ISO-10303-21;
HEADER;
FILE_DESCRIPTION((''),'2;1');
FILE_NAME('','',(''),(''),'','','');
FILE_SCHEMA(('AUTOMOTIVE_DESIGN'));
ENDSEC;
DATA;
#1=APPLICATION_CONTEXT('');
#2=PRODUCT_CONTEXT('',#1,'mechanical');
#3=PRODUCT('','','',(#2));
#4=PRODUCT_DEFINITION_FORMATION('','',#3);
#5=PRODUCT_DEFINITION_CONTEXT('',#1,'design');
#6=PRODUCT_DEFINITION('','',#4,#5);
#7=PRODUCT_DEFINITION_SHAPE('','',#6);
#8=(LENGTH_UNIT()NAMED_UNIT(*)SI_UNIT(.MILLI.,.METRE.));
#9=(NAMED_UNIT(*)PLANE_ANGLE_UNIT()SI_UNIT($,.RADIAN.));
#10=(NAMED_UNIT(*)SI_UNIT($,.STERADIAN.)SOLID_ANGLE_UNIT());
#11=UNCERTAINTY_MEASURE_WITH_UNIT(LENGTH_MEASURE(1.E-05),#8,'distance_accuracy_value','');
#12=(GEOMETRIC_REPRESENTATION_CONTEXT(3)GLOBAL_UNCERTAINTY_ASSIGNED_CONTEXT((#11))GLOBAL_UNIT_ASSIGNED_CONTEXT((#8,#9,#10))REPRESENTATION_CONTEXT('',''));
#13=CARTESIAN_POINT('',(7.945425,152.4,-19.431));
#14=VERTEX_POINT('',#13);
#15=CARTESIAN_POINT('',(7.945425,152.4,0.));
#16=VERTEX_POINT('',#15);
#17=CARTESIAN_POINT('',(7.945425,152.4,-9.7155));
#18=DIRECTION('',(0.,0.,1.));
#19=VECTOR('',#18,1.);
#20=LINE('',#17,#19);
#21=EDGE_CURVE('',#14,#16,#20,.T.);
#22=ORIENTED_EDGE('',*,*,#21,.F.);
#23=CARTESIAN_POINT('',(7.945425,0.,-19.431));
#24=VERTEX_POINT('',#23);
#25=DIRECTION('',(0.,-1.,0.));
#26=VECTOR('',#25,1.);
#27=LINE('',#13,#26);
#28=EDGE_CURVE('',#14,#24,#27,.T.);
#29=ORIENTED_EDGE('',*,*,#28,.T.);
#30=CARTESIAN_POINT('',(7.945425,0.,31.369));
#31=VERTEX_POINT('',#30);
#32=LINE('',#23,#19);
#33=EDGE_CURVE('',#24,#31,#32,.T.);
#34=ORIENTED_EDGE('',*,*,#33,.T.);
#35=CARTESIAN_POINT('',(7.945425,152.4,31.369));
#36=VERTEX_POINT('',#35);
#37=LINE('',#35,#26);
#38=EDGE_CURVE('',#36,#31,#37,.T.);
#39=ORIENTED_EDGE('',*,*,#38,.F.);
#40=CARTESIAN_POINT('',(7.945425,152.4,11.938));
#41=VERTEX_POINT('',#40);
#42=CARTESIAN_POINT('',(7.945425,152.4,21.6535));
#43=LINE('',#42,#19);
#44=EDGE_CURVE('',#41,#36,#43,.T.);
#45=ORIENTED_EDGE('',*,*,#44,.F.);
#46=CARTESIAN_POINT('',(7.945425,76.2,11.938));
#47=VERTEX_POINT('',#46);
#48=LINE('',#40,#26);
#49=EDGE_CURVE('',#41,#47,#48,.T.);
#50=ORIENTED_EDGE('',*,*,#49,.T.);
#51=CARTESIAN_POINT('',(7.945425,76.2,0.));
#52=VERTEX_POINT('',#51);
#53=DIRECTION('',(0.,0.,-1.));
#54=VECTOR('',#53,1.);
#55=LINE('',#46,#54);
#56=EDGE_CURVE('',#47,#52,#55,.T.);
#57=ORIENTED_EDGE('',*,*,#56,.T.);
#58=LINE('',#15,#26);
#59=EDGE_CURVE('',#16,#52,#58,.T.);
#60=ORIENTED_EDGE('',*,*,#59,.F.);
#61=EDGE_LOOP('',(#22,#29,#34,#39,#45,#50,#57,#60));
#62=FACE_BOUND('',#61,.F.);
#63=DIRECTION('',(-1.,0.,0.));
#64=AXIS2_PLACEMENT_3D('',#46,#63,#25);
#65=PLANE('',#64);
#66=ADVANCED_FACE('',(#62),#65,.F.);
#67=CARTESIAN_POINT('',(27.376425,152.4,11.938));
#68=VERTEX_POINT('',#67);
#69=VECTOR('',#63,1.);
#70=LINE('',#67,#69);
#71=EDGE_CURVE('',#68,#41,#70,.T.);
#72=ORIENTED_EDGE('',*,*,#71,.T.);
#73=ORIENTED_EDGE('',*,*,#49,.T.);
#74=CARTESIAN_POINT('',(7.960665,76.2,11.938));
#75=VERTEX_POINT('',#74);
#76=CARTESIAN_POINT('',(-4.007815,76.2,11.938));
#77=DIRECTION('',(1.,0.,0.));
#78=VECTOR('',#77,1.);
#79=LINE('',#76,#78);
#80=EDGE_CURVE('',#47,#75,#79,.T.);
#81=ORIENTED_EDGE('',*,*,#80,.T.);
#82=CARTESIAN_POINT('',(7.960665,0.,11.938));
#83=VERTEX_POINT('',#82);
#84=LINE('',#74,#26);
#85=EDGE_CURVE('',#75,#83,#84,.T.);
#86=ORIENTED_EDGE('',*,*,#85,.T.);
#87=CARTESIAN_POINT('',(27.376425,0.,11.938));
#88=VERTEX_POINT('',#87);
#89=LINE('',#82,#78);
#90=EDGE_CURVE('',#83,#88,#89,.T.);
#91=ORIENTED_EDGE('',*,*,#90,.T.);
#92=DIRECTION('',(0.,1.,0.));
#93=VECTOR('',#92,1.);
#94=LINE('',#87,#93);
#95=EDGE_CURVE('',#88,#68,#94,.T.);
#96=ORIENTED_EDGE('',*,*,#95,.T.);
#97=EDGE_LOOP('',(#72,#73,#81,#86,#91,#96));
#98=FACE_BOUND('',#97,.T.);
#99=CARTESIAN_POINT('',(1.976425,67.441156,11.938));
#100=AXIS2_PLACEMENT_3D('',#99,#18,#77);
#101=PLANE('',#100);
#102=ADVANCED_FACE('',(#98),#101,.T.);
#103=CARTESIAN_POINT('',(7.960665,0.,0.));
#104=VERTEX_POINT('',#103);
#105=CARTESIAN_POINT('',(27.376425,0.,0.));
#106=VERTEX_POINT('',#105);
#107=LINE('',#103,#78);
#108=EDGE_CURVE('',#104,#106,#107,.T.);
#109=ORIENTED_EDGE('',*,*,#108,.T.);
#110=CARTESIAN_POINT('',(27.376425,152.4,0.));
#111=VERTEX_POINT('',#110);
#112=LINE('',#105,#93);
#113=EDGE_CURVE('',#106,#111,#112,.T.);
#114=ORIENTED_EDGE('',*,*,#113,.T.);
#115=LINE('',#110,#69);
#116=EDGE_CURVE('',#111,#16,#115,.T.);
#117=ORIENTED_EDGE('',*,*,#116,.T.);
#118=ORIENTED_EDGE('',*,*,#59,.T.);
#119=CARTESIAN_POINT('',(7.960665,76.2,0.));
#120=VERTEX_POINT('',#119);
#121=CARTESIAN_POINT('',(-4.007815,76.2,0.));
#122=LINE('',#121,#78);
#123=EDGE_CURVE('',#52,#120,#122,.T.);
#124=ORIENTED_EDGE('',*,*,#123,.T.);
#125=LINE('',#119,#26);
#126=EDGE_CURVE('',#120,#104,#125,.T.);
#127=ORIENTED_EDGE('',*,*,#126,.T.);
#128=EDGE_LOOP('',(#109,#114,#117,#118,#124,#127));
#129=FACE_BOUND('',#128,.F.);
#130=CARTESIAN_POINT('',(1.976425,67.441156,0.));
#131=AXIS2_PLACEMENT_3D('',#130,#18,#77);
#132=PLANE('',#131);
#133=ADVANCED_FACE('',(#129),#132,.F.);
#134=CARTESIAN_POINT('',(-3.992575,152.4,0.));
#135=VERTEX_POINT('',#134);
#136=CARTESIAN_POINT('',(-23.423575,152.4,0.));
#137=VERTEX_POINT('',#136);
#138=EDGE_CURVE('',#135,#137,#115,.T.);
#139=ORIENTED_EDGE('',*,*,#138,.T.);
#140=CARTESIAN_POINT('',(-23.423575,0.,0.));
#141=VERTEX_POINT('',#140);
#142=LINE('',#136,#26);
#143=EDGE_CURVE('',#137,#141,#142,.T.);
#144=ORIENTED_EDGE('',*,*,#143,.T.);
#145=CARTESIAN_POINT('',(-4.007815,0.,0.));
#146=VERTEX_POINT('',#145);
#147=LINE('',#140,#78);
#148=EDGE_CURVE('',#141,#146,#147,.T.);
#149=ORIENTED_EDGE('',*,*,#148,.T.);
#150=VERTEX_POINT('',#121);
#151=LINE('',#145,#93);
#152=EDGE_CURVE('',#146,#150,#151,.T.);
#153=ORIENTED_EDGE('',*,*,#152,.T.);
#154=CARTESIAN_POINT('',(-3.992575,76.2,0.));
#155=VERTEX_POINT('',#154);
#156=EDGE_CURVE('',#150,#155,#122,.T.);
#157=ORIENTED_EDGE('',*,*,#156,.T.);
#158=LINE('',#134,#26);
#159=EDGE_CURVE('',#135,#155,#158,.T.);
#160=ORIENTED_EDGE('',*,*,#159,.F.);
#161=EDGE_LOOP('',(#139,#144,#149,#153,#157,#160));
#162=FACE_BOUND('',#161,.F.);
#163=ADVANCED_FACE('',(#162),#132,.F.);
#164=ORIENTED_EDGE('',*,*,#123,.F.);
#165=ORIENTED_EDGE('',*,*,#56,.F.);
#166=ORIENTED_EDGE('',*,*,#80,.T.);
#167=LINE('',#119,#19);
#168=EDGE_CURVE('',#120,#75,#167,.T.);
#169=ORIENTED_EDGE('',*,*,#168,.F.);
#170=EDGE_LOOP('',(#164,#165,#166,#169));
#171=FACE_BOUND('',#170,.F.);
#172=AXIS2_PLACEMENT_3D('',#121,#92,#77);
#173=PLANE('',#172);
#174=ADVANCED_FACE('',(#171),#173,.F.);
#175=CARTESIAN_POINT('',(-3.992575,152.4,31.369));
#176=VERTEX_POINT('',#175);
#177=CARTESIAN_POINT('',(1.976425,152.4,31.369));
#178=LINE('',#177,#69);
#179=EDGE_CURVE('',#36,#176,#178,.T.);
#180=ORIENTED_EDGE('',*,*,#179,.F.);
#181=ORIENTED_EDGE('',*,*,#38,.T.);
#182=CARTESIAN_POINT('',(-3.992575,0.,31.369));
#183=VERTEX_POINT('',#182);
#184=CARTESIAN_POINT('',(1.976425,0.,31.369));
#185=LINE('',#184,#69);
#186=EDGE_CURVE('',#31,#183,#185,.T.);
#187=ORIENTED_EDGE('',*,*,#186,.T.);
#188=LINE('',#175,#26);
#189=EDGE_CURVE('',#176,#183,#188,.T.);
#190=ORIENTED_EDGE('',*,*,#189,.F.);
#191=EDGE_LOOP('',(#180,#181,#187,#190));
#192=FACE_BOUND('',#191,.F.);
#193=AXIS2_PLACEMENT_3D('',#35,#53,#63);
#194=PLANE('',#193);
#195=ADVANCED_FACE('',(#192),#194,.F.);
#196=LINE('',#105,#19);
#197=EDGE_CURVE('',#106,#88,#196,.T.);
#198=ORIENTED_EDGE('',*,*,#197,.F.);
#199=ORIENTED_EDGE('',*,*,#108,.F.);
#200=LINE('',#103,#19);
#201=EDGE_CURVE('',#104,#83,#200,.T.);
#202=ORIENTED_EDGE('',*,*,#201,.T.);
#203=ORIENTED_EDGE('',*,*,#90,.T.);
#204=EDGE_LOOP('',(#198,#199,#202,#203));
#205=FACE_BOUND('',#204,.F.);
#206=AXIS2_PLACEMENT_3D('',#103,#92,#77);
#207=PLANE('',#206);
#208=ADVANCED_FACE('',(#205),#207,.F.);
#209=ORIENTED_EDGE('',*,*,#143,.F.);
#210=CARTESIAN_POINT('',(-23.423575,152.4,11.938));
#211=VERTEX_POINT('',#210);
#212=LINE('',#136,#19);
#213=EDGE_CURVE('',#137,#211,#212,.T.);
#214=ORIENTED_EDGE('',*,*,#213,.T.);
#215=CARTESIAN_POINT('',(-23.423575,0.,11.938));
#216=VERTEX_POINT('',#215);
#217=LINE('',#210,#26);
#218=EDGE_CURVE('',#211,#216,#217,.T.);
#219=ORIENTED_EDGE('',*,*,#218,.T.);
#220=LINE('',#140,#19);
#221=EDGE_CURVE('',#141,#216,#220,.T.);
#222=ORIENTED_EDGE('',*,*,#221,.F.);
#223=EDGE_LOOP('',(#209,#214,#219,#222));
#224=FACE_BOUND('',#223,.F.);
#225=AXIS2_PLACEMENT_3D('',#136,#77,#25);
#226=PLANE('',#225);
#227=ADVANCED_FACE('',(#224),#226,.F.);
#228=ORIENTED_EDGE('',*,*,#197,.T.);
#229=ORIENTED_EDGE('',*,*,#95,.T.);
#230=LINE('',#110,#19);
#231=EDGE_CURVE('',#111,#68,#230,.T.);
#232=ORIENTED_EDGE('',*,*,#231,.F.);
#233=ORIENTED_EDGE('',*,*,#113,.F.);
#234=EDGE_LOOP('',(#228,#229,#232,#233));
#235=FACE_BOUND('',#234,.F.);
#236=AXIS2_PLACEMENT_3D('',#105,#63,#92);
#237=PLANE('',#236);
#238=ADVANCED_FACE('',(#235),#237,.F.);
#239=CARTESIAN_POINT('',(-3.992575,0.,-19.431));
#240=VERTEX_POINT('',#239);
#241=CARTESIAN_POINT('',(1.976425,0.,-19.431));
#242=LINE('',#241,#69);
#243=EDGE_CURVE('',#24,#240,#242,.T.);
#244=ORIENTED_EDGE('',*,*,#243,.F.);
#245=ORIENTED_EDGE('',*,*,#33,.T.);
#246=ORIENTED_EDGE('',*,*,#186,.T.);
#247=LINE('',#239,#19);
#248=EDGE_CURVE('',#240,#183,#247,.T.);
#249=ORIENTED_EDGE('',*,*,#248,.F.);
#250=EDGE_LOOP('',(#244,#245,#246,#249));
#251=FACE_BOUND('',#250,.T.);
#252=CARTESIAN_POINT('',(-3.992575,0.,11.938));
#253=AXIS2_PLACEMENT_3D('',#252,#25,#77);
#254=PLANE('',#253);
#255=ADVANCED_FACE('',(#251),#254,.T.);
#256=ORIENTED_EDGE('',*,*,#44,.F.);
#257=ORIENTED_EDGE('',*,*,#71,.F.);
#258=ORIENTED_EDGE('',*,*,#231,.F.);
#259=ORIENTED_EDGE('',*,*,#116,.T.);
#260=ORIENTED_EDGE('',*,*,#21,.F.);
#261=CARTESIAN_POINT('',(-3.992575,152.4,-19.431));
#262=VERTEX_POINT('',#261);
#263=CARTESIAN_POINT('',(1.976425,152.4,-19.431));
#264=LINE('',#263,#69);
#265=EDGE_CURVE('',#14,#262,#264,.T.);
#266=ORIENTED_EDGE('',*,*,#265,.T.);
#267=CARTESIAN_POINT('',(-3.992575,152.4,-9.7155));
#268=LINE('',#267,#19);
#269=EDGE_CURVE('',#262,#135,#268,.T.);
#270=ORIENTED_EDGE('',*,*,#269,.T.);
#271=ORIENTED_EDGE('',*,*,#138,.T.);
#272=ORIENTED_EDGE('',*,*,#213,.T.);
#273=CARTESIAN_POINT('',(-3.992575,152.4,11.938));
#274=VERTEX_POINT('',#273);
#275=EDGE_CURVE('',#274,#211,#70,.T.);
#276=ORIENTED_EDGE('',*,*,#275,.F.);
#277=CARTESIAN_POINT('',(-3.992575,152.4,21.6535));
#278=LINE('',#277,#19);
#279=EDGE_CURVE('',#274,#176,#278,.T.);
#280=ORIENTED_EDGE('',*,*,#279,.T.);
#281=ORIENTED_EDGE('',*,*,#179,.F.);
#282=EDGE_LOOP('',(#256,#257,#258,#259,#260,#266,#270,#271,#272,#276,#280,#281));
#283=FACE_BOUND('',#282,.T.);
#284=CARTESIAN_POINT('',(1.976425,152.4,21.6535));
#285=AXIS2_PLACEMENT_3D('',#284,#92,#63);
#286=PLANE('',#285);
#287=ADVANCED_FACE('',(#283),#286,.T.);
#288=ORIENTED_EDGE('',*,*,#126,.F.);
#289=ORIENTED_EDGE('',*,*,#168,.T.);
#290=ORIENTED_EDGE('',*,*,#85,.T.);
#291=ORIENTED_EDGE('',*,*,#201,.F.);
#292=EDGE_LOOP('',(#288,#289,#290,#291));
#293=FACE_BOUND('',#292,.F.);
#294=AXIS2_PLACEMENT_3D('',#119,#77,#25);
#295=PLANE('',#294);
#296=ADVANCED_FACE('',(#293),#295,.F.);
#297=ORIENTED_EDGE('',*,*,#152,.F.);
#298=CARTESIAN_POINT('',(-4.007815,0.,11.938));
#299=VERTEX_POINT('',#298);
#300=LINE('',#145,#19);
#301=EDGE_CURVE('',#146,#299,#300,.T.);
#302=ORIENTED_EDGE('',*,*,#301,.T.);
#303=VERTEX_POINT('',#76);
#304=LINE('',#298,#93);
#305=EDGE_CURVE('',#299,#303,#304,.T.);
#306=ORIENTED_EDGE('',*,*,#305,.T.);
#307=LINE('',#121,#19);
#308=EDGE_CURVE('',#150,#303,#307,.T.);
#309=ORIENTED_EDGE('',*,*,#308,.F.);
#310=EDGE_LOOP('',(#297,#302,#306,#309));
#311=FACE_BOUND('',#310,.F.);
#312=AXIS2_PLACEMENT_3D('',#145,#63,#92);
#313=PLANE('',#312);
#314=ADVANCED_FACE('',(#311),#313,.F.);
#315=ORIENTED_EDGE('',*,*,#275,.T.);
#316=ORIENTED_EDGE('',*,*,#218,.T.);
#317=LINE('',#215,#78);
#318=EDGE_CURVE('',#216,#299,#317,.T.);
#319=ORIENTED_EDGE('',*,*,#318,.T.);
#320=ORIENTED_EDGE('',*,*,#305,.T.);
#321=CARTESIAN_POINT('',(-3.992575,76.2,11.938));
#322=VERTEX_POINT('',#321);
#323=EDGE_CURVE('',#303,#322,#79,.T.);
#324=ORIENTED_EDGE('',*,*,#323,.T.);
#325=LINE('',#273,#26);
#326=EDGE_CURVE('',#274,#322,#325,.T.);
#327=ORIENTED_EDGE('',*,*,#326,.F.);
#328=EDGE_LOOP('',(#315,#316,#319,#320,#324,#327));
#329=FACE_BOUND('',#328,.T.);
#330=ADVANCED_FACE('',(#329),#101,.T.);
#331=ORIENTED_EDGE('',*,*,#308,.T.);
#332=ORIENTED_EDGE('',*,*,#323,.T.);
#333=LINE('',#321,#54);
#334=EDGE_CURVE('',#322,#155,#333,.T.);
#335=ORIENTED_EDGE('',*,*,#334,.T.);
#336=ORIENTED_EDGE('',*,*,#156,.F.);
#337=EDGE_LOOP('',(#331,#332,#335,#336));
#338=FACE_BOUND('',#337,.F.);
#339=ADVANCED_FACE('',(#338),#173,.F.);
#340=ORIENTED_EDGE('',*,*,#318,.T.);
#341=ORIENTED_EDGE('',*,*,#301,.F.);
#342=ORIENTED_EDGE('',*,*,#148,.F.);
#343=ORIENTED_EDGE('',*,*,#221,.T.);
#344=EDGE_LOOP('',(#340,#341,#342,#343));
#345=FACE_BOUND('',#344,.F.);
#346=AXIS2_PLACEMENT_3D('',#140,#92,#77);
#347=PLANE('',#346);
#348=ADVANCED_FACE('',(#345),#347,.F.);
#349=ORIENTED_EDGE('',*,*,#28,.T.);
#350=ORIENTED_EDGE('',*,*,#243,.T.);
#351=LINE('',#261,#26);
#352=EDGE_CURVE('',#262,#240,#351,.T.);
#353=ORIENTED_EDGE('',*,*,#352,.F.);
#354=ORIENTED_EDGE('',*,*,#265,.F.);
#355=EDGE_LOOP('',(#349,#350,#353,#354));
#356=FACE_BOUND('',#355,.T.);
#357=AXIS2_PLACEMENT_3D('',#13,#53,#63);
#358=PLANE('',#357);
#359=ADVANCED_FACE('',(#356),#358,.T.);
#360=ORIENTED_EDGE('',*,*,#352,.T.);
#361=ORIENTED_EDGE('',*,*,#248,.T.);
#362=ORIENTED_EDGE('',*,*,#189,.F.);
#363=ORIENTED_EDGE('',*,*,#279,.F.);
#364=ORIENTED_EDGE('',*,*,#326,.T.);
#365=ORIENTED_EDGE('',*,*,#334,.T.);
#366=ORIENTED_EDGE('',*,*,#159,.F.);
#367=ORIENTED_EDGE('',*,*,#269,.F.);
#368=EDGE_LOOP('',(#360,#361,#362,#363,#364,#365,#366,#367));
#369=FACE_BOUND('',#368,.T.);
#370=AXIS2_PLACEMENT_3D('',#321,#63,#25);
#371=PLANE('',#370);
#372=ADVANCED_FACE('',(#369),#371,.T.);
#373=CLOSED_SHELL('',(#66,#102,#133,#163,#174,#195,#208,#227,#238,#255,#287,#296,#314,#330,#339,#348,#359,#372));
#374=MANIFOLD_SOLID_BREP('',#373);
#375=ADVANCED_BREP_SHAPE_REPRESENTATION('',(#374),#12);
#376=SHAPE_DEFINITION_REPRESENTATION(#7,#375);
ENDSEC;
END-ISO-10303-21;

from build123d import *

# Parameters (mm, degrees)
F1_DEPTH = 11.938
F2_W     = 11.938
F2_H     = 19.431
F3_DEPTH = 152.4
F4_W     = 11.938
F4_H     = 76.2
F5_DEPTH = 11.938


with BuildPart() as f1:
    # F0 (on Top) → F1 (new body)
    with BuildSketch(Plane.XY):
        Polygon((-23.423575, 152.4), (-23.423575, 0), (-4.007815, 0), (-4.007815, 76.2), (7.960665, 76.2), (7.960665, 0), (27.376425, 0), (27.376425, 152.4), align=None)
    extrude(amount=F1_DEPTH)

    # F2 (on face) → F3 (join)
    with BuildSketch(Plane(origin=(0, 152.4, 0), x_dir=(-1, 0, 0), z_dir=(0, 1, 0))):
        with Locations((-1.976425, 21.6535)):
            Rectangle(F2_W, F2_H)
        with Locations((-1.976425, -9.7155)):
            Rectangle(F2_W, F2_H)
    extrude(amount=-F3_DEPTH)

    # F4 (on face) → F5 (join)
    with BuildSketch(Plane(origin=(0, 0, 11.938), x_dir=(1, 0, 0), z_dir=(0, 0, -1))):
        with Locations((1.976425, -38.1)):
            Rectangle(F4_W, F4_H)
    extrude(amount=F5_DEPTH)


solid = f1.part
